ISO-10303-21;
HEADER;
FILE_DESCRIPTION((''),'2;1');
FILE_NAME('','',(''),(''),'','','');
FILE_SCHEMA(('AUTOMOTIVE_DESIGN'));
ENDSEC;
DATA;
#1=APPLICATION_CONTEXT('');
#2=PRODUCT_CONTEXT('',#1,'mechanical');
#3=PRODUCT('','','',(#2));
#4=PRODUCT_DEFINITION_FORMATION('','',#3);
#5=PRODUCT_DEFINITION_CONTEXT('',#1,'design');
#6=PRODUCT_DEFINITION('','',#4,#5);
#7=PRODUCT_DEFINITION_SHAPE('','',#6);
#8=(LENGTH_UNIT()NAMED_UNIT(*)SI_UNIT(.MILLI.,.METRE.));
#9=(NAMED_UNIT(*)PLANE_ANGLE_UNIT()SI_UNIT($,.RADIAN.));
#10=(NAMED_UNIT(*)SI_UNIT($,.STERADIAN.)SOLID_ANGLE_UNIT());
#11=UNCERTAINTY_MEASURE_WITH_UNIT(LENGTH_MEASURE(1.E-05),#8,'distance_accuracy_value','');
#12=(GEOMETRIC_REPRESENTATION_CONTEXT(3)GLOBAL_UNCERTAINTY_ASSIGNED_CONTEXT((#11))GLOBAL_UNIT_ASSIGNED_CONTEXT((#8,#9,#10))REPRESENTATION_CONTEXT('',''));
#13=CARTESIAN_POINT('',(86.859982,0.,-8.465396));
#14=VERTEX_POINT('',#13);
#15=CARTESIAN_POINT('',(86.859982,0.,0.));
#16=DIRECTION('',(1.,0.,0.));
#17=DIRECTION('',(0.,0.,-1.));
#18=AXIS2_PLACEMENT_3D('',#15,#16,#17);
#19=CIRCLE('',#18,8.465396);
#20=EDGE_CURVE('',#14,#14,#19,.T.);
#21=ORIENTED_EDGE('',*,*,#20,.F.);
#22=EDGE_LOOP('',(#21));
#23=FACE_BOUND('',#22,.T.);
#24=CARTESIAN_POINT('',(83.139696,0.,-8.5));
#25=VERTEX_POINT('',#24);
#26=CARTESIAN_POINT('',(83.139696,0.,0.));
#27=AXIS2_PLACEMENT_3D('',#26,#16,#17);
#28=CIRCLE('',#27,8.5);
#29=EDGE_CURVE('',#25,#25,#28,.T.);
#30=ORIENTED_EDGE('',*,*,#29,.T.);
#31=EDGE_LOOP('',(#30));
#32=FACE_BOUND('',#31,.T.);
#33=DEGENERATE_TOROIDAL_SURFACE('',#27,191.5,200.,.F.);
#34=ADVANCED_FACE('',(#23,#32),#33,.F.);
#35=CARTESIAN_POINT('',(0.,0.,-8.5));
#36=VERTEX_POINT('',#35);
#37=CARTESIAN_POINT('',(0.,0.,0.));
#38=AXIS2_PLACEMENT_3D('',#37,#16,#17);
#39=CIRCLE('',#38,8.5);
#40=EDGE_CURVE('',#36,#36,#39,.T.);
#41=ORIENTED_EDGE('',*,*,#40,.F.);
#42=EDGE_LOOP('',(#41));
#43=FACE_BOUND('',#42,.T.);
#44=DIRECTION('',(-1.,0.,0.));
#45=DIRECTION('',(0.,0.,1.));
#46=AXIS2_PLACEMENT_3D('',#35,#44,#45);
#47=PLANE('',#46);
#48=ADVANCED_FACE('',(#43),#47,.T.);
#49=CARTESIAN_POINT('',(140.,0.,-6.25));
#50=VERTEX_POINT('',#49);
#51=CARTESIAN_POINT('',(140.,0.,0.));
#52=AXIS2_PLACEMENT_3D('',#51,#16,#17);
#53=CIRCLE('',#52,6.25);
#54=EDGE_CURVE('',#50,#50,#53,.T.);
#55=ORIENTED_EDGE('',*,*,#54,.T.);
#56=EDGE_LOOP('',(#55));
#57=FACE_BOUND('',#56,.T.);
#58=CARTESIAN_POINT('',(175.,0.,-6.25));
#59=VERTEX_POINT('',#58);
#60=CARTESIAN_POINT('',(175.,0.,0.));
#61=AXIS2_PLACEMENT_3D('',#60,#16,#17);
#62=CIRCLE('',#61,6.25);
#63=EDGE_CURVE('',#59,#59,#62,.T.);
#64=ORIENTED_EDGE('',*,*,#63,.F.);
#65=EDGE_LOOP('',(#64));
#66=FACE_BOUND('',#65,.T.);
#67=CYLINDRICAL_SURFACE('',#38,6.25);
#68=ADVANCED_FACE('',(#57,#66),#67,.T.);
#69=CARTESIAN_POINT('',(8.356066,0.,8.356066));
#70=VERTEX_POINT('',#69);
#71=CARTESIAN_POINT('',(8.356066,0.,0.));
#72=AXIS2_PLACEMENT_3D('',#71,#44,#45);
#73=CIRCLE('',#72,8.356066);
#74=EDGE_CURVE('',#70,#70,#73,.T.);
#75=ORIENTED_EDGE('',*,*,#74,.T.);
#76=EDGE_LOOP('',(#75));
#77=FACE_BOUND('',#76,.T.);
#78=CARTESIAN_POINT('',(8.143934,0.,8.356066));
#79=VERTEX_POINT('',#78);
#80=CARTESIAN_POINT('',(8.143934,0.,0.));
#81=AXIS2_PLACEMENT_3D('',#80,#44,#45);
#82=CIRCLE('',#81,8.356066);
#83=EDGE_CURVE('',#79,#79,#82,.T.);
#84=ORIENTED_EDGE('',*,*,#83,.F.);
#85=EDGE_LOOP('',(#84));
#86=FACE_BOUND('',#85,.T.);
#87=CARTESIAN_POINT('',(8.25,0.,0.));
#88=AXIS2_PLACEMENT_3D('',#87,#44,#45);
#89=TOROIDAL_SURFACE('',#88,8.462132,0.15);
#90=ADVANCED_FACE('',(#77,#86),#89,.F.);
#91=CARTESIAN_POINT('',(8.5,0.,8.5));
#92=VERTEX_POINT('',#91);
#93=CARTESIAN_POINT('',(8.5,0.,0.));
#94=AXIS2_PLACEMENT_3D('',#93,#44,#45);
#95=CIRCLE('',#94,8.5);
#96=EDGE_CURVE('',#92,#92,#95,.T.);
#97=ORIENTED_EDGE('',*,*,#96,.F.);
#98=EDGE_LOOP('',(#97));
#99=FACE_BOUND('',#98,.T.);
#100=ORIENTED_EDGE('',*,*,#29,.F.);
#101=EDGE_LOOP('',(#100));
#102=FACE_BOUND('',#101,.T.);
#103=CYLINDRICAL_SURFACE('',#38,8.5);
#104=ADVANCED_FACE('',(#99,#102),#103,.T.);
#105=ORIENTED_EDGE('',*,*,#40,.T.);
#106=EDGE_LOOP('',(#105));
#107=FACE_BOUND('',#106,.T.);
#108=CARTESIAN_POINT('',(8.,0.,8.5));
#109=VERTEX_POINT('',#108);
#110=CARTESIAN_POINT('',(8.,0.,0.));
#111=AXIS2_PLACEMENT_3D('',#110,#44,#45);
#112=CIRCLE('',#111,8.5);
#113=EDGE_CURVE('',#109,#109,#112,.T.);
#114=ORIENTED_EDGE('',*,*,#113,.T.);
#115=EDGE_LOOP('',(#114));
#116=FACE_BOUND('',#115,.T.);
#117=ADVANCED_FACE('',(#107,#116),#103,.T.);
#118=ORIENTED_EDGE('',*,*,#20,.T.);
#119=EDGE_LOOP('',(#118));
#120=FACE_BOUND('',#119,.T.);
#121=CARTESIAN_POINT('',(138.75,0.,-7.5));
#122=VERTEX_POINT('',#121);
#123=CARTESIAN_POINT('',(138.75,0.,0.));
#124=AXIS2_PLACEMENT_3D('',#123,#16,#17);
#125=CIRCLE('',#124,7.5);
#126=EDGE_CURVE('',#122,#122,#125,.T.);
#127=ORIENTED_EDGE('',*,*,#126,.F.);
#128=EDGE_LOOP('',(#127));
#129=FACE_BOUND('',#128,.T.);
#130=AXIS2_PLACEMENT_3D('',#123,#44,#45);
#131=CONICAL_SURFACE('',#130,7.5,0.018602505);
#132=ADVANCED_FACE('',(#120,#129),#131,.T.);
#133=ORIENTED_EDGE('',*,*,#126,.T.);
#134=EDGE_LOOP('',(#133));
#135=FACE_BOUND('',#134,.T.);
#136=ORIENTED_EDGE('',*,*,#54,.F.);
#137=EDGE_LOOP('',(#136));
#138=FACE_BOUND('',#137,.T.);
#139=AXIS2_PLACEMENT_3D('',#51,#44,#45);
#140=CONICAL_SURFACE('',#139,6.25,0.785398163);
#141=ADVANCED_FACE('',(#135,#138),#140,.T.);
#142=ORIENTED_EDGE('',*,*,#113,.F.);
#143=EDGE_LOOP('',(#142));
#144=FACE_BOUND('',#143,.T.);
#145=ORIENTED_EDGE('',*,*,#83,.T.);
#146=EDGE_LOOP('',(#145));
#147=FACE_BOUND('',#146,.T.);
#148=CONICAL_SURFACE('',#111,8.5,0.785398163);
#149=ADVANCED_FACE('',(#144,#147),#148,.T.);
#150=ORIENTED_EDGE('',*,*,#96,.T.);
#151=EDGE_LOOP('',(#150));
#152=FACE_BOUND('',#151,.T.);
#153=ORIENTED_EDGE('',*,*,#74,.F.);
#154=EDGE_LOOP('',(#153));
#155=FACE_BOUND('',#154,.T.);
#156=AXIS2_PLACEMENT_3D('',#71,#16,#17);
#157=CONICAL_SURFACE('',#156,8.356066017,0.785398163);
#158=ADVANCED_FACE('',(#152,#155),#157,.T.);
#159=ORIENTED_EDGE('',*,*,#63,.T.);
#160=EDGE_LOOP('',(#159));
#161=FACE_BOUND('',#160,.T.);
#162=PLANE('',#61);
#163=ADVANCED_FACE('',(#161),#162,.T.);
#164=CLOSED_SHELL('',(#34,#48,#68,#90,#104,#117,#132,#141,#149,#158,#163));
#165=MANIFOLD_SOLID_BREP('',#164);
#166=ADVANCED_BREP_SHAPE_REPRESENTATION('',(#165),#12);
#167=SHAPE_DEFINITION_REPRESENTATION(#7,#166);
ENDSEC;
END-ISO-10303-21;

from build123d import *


with BuildPart() as part:
    # Skizze3 → Rotation1 (revolve)
    with BuildSketch(Plane(origin=(0, 0, 0), x_dir=(1, 0, 0), z_dir=(0, 1, 0))):
        with BuildLine():
            Line((175, 6.25), (140, 6.25))
            Line((140, 6.25), (138.75, 7.5))
            Line((138.75, 7.5), (86.859982279, 8.465395679))
            ThreePointArc((86.859982279, 8.465395679), (84.99991953, 8.491348733), (83.139695848, 8.5))
            Line((83.139695848, 8.5), (7.5, 8.5))
            Line((7.5, 8.5), (0, 8.5))
            Line((0, 8.5), (0, 0))
            Line((0, 0), (175, 0))
            Line((175, 0), (175, 6.25))
        make_face()
    revolve(axis=Axis((0, 0, 0), (-1, 0, 0)))

    # Skizze4 → Schnitt-Rotation1 (revolve, cut)
    with BuildSketch(Plane(origin=(0, 0, 0), x_dir=(1, 0, 0), z_dir=(0, 1, 0))):
        with BuildLine():
            Line((8, 8.5), (8.143933983, 8.356066017))
            ThreePointArc((8.143933983, 8.356066017), (8.25, 8.312132034), (8.356066017, 8.356066017))
            Line((8.356066017, 8.356066017), (8.5, 8.5))
            Line((8.5, 8.5), (8, 8.5))
        make_face()
    revolve(axis=Axis((0, 0, 0), (1, 0, 0)), mode=Mode.SUBTRACT)


solid = part.part
